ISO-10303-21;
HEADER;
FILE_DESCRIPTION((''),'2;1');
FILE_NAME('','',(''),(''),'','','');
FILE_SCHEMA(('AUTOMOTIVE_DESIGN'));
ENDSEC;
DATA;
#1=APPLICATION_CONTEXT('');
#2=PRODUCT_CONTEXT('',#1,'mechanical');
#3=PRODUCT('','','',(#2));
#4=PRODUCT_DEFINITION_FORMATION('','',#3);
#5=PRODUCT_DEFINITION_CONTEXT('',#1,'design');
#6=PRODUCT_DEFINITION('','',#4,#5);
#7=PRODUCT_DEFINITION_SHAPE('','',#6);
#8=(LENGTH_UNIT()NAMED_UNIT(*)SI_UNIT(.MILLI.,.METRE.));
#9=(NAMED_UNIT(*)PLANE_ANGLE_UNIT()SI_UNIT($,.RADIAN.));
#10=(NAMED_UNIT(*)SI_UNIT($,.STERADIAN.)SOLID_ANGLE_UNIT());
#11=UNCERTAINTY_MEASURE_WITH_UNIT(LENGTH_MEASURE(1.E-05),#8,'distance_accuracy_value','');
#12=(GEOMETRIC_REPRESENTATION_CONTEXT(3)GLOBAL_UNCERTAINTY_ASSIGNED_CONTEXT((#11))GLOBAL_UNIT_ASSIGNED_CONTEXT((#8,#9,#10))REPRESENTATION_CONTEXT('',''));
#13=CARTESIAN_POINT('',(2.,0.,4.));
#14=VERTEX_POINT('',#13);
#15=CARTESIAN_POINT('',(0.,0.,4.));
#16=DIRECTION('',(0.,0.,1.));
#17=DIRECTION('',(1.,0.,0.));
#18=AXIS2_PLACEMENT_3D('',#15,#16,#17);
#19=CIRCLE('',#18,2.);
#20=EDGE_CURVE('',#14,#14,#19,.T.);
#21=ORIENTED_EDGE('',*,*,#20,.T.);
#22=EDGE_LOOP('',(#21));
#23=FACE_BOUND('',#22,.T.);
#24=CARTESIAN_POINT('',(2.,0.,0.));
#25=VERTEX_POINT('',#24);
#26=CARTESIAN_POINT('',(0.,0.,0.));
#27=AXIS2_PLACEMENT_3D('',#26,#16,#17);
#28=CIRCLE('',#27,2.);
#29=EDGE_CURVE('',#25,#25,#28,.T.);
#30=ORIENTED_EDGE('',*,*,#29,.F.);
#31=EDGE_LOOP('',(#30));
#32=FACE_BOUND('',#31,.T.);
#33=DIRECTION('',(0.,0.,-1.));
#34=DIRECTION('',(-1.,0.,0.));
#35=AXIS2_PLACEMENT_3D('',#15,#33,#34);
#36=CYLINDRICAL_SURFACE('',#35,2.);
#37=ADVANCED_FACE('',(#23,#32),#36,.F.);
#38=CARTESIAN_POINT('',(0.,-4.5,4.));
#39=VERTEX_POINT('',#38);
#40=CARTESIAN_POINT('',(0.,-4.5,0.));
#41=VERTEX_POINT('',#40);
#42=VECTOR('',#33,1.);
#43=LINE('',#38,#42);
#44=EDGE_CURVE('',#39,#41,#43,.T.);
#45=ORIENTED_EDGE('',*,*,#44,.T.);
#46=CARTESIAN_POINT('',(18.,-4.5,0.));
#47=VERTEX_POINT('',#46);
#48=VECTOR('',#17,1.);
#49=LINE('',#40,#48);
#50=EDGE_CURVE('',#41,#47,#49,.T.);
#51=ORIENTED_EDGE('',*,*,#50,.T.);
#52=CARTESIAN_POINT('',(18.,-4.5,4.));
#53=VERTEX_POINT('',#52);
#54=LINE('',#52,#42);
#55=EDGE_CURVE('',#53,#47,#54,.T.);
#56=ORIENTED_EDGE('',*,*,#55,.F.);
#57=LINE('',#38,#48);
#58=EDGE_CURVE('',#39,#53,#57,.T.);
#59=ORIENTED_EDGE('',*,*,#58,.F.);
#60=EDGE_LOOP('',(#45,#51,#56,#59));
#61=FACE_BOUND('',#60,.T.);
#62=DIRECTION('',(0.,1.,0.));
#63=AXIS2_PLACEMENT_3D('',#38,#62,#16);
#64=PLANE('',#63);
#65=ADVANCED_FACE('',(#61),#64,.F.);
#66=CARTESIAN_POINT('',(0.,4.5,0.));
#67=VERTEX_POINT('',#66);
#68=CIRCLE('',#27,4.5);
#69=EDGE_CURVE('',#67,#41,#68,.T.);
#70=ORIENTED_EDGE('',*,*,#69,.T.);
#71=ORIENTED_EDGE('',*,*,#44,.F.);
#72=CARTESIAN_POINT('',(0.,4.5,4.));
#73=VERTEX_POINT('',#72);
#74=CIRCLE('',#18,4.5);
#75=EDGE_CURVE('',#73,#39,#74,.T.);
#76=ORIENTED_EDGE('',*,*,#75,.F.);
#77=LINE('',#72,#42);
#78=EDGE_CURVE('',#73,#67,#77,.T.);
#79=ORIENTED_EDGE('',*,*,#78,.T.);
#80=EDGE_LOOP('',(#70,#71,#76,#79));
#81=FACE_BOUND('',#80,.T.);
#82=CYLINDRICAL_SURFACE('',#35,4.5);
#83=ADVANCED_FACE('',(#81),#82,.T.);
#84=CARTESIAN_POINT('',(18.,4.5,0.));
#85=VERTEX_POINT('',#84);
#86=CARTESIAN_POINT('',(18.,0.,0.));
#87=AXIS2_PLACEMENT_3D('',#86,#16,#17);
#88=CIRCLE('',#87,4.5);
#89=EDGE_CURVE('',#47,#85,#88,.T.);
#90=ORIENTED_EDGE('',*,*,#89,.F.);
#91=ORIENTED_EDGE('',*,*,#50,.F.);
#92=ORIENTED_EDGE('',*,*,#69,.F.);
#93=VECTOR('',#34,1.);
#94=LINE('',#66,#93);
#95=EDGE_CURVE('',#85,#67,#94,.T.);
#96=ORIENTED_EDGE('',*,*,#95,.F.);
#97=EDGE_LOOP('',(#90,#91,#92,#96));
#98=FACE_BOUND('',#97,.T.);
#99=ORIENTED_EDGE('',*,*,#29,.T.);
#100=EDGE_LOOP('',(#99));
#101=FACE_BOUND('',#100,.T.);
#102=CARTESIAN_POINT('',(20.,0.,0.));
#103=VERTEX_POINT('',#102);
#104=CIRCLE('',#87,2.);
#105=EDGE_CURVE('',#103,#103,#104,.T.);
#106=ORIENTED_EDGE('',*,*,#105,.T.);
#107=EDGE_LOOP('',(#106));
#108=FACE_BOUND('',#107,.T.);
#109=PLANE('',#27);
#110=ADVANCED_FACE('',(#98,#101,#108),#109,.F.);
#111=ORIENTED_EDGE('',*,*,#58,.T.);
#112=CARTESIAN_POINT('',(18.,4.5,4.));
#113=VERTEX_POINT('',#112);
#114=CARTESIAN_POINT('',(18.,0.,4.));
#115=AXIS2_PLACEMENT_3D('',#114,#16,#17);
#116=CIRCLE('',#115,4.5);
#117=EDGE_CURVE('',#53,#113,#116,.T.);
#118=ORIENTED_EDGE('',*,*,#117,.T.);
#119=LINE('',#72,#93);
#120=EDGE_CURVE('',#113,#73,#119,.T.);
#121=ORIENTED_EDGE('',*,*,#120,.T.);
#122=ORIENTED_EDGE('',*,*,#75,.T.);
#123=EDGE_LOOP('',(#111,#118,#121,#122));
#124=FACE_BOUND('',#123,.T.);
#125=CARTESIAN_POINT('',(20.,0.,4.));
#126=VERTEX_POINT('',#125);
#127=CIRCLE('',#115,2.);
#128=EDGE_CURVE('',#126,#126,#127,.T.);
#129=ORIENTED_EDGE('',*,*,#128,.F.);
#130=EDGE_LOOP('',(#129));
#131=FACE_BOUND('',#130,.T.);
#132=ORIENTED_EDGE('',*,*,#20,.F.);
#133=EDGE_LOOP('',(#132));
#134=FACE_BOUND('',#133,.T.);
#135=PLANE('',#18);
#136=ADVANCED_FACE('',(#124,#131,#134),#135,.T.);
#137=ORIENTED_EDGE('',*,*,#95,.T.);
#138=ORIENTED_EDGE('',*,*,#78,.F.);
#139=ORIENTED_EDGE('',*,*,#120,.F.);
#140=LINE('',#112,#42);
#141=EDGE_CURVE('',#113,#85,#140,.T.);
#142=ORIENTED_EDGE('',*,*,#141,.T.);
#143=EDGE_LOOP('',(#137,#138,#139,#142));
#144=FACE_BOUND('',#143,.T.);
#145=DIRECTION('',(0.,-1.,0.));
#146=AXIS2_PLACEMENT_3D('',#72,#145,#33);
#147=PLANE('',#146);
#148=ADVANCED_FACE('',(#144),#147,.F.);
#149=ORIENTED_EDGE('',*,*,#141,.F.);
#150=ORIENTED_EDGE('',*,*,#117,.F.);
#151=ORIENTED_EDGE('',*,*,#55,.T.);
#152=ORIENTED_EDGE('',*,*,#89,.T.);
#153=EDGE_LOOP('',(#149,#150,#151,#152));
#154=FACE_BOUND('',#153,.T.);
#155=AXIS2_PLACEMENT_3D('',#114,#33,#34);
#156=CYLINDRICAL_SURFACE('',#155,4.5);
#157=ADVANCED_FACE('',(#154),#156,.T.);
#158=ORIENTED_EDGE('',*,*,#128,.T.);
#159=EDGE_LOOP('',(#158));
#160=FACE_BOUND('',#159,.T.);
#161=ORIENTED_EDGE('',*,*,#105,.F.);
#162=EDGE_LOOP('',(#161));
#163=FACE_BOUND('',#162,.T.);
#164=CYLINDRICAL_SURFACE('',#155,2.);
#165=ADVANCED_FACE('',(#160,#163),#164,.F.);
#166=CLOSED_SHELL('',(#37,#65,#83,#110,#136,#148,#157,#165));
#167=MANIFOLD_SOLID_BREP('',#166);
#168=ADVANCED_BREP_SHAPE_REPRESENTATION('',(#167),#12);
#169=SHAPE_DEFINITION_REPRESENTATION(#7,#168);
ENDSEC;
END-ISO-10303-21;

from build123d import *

# Parameters (mm, degrees)
SKETCH_1_R      = 2
EXTRUDE_1_DEPTH = 4


with BuildPart() as part:
    # Эскиз1 → Вытянуть1 (new body)
    with BuildSketch(Plane.XY):
        with BuildLine():
            Line((0, 4.5), (18, 4.5))
            ThreePointArc((18, 4.5), (22.5, 0), (18, -4.5))
            Line((18, -4.5), (0, -4.5))
            ThreePointArc((0, -4.5), (-4.5, 0), (0, 4.5))
        make_face()
        Circle(SKETCH_1_R, mode=Mode.SUBTRACT)
        with Locations((18, 0)):
            Circle(SKETCH_1_R, mode=Mode.SUBTRACT)
    extrude(amount=EXTRUDE_1_DEPTH)


solid = part.part
